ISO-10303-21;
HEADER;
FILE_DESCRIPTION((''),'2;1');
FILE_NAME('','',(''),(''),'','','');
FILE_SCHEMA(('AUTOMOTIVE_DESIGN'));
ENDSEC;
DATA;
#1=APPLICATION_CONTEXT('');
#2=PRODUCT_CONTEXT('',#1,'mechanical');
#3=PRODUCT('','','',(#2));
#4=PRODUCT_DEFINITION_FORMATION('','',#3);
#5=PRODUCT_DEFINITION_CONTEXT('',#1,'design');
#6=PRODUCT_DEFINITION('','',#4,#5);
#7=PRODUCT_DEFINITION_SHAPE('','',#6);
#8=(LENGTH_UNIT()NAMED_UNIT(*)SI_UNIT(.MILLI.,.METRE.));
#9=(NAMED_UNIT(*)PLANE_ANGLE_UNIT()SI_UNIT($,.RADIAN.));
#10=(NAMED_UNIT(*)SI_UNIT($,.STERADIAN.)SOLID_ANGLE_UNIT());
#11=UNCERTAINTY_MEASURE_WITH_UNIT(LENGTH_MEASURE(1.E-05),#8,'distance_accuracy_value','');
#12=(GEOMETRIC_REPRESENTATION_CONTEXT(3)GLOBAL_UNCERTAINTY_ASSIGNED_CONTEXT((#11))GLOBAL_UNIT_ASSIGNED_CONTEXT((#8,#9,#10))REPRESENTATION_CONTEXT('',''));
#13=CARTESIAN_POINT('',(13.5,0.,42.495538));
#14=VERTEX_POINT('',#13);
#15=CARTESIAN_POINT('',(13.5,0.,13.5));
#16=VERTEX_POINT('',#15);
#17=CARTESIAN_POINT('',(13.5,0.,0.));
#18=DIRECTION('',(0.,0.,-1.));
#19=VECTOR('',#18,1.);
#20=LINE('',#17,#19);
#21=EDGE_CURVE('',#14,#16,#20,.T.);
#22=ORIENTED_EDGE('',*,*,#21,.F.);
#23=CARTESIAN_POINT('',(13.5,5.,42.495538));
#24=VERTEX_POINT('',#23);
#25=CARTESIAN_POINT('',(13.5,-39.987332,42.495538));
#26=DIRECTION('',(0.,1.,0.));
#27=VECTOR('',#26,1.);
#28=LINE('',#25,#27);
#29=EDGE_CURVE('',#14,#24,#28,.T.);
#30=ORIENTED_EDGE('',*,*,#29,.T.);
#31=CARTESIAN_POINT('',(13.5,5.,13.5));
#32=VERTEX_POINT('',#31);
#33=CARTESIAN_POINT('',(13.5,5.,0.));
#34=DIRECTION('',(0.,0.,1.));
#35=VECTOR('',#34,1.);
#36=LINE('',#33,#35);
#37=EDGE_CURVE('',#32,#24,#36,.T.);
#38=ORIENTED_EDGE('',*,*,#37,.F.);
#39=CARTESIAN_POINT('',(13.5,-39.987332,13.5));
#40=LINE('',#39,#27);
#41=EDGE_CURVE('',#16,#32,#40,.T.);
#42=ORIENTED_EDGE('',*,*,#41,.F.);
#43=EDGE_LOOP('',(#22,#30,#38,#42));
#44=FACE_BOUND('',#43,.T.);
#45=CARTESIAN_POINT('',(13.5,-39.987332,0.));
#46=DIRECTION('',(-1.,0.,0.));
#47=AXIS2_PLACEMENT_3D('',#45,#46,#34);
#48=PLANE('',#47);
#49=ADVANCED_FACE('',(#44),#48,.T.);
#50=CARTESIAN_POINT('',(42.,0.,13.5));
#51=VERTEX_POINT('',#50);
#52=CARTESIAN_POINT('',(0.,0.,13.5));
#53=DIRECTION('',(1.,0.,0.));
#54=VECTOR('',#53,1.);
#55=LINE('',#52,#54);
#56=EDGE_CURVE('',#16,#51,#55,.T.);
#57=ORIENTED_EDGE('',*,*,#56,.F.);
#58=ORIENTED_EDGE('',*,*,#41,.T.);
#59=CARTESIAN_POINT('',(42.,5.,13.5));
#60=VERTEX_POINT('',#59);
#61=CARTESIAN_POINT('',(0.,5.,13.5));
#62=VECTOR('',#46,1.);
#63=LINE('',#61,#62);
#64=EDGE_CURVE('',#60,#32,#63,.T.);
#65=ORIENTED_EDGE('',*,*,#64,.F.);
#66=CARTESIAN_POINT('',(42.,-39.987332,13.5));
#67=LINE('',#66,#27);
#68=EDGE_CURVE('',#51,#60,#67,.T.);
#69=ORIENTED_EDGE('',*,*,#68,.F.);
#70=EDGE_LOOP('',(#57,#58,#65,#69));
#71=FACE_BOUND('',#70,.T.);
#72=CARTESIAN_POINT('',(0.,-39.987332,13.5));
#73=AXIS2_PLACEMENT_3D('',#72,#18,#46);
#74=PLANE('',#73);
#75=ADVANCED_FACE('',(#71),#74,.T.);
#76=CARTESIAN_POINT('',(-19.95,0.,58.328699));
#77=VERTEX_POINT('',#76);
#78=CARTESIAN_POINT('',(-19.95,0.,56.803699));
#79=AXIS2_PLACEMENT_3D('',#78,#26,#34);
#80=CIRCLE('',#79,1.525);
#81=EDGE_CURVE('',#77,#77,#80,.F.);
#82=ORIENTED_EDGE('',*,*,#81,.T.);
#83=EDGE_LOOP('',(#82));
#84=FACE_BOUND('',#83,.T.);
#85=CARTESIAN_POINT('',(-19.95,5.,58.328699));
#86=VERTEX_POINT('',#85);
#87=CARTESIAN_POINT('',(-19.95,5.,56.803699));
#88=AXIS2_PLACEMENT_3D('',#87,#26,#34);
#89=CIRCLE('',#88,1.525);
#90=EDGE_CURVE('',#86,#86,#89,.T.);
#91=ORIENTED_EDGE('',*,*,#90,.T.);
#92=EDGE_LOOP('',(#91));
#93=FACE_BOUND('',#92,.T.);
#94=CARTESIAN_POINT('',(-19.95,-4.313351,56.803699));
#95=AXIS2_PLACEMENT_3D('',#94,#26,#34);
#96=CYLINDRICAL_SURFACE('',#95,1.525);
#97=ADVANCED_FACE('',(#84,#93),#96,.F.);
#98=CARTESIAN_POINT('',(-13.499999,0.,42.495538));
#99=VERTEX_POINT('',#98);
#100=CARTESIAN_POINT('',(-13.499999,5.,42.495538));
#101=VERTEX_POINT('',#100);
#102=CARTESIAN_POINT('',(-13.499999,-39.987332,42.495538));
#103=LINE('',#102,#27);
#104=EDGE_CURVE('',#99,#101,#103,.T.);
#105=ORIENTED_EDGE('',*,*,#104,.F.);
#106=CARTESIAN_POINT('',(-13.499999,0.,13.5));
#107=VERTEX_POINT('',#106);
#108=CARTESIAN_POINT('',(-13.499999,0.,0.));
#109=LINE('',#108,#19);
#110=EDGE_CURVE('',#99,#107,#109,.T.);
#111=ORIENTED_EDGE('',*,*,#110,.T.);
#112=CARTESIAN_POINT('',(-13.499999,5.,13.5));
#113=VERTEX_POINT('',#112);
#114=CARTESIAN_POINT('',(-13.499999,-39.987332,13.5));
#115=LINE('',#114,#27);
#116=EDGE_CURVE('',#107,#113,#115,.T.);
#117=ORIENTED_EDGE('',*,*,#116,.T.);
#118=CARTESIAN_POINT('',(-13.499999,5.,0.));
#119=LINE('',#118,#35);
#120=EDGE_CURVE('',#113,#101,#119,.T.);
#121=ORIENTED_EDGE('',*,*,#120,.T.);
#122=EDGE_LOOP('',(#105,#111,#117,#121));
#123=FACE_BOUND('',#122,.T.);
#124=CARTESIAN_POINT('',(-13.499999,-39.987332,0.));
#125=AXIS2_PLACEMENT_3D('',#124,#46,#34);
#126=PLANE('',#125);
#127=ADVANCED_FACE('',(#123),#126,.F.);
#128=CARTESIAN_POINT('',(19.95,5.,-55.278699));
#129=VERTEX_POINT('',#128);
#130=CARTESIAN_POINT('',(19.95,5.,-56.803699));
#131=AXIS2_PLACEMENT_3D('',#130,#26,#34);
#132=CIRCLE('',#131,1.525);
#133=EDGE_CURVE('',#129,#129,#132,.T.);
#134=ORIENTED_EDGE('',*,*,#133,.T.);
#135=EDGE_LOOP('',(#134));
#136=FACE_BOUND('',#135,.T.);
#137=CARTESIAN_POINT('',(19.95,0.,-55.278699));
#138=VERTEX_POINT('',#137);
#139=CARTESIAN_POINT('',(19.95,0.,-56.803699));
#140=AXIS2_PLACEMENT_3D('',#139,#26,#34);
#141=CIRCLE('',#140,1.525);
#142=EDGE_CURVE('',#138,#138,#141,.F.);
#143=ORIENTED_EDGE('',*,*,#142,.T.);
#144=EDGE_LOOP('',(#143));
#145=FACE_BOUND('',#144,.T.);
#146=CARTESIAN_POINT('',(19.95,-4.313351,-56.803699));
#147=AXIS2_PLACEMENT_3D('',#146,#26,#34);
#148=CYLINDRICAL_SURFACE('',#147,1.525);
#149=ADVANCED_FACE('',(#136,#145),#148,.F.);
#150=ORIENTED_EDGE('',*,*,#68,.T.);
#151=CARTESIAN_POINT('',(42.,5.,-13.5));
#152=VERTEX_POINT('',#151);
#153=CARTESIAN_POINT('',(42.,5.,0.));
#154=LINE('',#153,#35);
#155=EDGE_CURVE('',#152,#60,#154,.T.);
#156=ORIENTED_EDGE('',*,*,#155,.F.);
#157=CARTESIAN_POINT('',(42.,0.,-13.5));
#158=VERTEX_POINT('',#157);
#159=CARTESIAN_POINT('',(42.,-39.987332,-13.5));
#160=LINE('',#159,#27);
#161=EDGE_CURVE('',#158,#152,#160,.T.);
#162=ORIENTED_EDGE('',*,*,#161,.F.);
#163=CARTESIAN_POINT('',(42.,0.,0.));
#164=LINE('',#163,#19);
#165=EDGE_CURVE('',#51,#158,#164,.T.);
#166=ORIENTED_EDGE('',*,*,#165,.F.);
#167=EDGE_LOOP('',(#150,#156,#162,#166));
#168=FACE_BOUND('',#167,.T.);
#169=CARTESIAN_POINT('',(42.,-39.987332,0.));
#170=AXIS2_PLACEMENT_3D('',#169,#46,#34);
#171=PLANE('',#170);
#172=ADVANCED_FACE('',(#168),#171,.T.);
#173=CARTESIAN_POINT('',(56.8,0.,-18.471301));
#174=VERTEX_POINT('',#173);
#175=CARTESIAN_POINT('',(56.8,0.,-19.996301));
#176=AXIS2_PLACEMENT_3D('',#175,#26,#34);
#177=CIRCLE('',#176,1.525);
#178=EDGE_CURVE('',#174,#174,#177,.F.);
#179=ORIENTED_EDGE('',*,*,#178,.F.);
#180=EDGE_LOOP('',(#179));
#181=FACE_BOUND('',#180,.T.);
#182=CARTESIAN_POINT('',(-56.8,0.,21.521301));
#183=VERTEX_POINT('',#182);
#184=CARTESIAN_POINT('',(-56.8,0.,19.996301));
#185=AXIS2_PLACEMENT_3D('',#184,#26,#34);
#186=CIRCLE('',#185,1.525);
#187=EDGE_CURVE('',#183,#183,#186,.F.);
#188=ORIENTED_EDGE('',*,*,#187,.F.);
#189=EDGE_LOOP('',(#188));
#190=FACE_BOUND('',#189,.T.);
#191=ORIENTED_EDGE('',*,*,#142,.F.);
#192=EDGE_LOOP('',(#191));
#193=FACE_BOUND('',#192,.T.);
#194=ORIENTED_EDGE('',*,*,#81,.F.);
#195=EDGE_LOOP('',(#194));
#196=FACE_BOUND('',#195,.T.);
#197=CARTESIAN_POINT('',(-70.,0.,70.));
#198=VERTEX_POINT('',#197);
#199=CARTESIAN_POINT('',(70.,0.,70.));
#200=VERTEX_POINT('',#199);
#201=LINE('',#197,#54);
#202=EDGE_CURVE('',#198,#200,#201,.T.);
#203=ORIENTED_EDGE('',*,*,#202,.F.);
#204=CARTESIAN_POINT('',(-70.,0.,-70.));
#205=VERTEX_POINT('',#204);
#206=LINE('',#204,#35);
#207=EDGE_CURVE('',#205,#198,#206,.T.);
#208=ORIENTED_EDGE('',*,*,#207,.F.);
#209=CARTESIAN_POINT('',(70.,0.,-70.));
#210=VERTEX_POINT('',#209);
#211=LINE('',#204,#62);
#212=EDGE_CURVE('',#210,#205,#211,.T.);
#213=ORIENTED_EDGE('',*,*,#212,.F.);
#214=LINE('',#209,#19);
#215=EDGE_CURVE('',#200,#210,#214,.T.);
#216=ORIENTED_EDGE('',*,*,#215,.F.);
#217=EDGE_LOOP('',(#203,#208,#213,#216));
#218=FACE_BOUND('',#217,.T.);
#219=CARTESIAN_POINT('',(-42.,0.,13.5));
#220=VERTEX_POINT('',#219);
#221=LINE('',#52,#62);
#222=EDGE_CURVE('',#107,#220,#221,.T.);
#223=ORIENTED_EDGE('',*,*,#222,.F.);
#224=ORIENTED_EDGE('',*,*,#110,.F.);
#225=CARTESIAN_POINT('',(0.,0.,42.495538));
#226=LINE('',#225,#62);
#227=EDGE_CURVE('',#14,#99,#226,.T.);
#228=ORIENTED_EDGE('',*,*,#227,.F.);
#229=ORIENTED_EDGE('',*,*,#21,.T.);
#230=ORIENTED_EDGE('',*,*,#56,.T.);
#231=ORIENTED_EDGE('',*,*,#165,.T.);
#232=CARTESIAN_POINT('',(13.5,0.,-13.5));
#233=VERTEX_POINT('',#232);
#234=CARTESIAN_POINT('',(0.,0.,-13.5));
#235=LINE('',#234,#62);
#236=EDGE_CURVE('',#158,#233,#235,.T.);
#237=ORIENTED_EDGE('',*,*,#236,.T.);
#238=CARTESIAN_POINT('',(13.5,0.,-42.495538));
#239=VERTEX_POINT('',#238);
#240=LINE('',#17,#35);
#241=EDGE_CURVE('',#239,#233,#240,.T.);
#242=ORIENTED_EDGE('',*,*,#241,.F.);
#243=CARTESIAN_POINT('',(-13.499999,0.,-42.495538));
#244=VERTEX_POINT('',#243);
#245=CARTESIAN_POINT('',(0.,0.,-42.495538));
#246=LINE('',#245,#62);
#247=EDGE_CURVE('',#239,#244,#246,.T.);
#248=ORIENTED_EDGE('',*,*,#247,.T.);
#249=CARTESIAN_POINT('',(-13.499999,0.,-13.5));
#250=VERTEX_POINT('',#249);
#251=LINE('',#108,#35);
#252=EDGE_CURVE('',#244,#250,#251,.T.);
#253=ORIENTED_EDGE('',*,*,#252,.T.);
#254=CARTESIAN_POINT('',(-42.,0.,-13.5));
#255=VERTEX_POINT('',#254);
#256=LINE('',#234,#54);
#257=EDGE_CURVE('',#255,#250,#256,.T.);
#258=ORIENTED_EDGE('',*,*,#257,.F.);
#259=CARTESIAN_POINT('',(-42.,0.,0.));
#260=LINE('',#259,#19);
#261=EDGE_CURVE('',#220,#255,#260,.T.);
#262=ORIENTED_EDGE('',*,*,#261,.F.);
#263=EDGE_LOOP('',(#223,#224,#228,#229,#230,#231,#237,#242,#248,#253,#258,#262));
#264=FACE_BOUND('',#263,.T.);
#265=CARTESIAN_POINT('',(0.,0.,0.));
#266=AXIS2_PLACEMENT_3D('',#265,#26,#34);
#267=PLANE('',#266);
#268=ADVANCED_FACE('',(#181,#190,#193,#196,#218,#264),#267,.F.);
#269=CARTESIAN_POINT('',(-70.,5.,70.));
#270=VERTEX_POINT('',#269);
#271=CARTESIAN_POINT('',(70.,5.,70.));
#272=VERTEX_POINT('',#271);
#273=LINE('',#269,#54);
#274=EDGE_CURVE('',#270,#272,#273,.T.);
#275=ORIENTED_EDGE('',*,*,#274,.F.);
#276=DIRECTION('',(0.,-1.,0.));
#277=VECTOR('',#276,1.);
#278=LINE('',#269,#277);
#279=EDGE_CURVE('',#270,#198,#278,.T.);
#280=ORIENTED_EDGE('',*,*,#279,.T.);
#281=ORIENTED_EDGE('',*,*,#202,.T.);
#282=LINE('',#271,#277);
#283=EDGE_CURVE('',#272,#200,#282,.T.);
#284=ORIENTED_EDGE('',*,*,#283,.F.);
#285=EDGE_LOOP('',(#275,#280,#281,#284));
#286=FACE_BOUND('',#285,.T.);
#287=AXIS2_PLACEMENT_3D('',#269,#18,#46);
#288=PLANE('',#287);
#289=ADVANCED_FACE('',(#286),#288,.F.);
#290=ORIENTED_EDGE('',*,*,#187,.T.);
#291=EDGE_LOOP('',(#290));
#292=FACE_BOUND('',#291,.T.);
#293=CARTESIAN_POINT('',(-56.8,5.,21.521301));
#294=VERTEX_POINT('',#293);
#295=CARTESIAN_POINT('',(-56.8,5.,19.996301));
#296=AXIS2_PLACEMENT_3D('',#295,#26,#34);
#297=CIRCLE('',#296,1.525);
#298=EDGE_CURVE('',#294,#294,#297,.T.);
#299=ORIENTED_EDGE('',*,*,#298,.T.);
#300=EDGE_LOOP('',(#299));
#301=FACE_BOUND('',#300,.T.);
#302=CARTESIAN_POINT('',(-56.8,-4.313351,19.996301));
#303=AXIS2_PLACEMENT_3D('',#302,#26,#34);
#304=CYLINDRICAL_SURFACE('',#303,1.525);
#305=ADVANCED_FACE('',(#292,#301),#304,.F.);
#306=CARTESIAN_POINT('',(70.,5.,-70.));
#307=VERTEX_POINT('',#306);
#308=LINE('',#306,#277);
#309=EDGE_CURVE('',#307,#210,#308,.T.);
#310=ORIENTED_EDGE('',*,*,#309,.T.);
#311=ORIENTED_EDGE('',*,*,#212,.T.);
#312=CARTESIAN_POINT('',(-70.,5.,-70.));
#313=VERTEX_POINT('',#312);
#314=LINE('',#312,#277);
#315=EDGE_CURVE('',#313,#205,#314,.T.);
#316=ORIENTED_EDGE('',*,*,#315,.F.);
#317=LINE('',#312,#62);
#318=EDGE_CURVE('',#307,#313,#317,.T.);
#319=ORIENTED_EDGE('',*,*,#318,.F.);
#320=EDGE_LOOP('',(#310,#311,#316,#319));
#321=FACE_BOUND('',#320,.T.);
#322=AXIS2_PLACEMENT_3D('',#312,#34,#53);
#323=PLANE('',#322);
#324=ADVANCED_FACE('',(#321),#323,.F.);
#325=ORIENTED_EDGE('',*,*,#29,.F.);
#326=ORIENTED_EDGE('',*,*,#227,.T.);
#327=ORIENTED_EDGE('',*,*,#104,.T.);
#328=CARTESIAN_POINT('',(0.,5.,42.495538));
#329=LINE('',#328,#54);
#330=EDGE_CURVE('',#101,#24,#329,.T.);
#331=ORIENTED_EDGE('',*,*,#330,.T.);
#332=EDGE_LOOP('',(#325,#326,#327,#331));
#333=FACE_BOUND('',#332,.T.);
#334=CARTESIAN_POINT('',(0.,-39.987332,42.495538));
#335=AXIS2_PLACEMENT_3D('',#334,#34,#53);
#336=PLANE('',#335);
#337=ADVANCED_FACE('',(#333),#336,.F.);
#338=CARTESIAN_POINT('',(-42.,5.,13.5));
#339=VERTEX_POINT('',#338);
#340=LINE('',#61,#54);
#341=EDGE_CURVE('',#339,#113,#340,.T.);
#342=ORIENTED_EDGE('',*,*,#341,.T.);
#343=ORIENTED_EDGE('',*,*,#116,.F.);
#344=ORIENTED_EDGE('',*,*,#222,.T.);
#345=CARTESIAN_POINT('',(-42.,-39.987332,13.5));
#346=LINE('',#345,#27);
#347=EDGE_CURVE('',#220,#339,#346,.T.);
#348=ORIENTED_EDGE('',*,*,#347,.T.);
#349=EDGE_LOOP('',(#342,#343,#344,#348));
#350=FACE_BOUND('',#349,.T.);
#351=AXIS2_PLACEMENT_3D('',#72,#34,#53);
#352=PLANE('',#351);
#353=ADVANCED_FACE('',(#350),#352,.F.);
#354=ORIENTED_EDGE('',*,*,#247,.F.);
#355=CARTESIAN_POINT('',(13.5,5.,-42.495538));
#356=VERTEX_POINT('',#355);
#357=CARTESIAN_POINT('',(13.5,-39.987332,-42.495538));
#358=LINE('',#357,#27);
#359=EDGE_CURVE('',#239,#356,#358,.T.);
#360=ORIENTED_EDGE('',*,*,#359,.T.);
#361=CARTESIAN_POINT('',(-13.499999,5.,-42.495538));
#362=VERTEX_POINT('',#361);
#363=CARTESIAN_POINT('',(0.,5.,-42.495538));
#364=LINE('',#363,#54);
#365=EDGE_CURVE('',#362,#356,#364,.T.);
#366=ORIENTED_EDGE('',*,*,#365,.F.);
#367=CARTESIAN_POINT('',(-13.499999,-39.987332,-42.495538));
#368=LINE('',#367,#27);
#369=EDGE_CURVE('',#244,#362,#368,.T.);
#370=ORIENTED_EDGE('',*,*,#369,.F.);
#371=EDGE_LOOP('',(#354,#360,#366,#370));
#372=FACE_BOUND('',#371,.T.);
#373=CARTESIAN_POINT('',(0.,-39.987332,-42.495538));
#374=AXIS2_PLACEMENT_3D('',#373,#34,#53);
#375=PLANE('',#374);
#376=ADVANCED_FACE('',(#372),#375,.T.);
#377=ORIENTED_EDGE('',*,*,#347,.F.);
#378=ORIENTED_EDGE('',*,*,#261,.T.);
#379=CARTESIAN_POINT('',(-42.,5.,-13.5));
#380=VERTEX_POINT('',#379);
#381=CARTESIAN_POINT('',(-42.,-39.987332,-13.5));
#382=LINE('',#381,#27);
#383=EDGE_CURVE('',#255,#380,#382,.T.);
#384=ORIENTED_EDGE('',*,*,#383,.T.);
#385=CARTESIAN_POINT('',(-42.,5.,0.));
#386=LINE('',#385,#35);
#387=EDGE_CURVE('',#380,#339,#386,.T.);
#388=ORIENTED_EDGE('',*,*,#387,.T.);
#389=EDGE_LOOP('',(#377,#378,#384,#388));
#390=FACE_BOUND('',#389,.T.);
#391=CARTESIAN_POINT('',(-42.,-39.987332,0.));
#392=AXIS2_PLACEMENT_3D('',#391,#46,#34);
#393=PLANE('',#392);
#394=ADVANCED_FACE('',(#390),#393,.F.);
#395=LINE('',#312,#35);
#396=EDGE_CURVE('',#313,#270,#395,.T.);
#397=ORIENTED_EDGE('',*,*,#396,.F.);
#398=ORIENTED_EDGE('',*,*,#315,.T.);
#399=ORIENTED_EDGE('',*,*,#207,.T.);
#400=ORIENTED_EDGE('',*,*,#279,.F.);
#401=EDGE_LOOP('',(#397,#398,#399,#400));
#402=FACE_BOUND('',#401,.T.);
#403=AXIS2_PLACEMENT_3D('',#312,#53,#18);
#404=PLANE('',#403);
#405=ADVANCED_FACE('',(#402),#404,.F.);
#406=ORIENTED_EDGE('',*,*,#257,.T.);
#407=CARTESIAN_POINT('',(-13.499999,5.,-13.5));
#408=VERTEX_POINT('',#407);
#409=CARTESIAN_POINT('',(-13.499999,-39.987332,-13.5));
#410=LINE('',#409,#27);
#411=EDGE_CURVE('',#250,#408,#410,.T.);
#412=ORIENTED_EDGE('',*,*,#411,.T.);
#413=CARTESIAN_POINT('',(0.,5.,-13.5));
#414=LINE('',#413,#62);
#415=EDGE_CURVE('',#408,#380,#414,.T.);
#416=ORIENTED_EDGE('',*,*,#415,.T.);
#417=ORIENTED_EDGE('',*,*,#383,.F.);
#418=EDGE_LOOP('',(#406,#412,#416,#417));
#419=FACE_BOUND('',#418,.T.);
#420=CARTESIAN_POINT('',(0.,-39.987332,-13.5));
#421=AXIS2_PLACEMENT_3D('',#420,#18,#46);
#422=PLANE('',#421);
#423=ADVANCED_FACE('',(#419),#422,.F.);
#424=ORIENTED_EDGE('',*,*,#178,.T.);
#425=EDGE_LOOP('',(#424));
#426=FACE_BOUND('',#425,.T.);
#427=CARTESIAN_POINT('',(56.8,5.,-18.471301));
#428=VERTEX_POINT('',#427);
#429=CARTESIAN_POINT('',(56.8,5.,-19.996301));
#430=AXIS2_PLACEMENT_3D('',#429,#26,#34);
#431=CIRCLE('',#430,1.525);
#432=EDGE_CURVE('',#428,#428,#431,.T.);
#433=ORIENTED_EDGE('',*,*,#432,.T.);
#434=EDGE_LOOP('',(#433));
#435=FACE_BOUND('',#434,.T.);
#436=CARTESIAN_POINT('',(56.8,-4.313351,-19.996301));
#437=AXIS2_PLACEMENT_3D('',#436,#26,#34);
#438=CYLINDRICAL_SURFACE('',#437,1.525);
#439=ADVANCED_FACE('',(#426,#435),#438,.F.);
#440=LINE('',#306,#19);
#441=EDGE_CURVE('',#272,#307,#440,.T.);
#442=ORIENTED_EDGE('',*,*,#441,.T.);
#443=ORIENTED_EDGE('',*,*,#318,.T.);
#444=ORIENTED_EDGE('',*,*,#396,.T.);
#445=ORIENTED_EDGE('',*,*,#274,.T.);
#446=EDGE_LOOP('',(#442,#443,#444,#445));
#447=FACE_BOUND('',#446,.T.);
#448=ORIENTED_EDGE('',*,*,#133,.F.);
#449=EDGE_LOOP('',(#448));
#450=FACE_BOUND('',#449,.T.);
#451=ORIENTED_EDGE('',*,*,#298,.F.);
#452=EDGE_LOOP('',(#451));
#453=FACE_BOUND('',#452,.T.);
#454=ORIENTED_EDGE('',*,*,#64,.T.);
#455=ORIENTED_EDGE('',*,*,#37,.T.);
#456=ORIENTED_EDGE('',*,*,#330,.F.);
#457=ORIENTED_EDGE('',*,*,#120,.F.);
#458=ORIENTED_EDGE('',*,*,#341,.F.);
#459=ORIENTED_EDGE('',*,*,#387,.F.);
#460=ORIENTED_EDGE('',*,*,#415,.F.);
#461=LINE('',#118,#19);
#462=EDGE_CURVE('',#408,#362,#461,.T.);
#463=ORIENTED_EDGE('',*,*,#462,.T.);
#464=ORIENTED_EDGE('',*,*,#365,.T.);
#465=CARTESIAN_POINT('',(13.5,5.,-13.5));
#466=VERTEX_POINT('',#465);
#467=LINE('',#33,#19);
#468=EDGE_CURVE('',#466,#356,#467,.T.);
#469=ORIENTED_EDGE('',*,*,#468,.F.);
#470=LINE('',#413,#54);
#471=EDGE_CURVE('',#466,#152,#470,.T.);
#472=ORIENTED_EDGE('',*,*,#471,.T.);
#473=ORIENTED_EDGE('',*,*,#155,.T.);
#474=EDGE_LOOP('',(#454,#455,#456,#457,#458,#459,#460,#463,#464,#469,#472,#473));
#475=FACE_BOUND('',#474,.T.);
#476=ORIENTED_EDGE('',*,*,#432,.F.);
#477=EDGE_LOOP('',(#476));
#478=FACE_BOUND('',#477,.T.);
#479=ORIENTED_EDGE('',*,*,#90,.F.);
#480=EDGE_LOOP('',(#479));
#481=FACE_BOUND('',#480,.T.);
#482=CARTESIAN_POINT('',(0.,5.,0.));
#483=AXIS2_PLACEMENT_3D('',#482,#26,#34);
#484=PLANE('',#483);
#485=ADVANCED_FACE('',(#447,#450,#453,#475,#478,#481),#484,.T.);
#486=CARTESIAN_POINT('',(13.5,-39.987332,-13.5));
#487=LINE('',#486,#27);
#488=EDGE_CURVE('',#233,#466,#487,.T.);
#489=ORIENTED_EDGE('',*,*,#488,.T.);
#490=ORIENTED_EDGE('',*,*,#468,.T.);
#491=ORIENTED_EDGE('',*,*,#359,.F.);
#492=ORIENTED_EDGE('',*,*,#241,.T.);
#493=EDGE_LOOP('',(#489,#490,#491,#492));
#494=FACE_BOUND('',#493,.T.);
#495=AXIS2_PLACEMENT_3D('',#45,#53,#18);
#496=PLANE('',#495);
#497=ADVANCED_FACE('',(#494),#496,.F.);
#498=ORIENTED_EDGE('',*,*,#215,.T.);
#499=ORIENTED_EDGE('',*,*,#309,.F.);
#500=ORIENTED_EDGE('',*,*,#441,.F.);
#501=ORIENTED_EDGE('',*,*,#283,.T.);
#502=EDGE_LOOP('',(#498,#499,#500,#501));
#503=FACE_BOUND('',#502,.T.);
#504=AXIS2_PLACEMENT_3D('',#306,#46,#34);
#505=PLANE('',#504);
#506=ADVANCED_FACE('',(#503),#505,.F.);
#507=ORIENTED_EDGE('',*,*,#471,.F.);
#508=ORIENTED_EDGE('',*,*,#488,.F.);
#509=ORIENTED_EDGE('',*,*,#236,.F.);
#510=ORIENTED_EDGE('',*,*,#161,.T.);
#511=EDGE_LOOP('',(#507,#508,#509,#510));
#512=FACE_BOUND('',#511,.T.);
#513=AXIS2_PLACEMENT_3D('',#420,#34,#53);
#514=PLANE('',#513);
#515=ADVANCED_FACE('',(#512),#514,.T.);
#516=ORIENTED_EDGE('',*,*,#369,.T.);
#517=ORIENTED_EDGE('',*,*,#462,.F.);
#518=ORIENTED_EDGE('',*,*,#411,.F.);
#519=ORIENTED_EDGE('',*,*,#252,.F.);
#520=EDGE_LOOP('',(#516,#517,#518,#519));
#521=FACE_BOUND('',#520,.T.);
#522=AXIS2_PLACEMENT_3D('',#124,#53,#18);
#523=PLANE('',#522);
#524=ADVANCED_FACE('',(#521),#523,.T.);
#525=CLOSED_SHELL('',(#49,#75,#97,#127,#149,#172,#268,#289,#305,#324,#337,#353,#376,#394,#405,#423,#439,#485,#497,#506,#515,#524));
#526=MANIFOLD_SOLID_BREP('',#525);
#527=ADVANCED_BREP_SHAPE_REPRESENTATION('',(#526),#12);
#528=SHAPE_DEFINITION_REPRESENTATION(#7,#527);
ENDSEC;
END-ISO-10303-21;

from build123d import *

# Parameters (mm, degrees)
SKETCH1_W           = 140
SKETCH1_H           = 140
BOSS_EXTRUDE1_DEPTH = 5
CUT_EXTRUDE2_DEPTH  = 5
SKETCH3_W           = 26
SKETCH3_H           = 26
CUT_EXTRUDE3_DEPTH  = 5
SKETCH5_R           = 1.525
CUT_EXTRUDE5_DEPTH  = 5
SKETCH7_W           = 0.499998827
SKETCH7_H           = 0.5
SKETCH7_W_2         = 0.5
CUT_EXTRUDE6_DEPTH  = 5


with BuildPart() as part:
    # Sketch1 → Boss-Extrude1 (new body)
    with BuildSketch(Plane(origin=(0, 0, 0), x_dir=(1, 0, 0), z_dir=(0, 1, 0))):
        Rectangle(SKETCH1_W, SKETCH1_H)
    extrude(amount=BOSS_EXTRUDE1_DEPTH)

    # Sketch2 → Cut-Extrude2 (cut)
    with BuildSketch(Plane(origin=(0, 5, 0), x_dir=(1, 0, 0), z_dir=(0, 1, 0))):
        Polygon((-13, 13), (13, 13), (13, 13.5), (13.5, 13.5), (13.5, 42.495538118), (-13.499998827, 42.495538118), (-13.499998827, 13.5), (-13, 13.5), align=None)
        Polygon((-13.499998827, -13), (-13, -13), (-13, 13), (-13.499998827, 13), (-13.499998827, 13.5), (-42, 13.5), (-42, -13.5), (-13.499998827, -13.5), align=None)
        Polygon((13, 13), (13, -13), (13.5, -13), (13.5, -13.5), (42, -13.5), (42, 13.5), (13.5, 13.5), (13.5, 13), align=None)
        Polygon((13.5, -13.5), (13, -13.5), (13, -13), (-13, -13), (-13, -13.5), (-13.499998827, -13.5), (-13.499998827, -42.495538118), (13.5, -42.495538118), align=None)
    extrude(amount=-CUT_EXTRUDE2_DEPTH, mode=Mode.SUBTRACT)

    # Sketch3 → Cut-Extrude3 (cut)
    with BuildSketch(Plane(origin=(0, 5, 0), x_dir=(1, 0, 0), z_dir=(0, 1, 0))):
        Rectangle(SKETCH3_W, SKETCH3_H)
    extrude(amount=-CUT_EXTRUDE3_DEPTH, mode=Mode.SUBTRACT)

    # Sketch5 → Cut-Extrude5 (cut)
    with BuildSketch(Plane(origin=(0, 5, 0), x_dir=(1, 0, 0), z_dir=(0, 1, 0))):
        with Locations(Location((-56.8, -19.996300578, 0), (0, 0, 270))):
            Circle(SKETCH5_R)
        with Locations(Location((-19.95, -56.803699422, 0), (0, 0, 270))):
            Circle(SKETCH5_R)
        with Locations(Location((19.95, 56.803699422, 0), (0, 0, 270))):
            Circle(SKETCH5_R)
        with Locations(Location((56.8, 19.996300578, 0), (0, 0, 270))):
            Circle(SKETCH5_R)
    extrude(amount=-CUT_EXTRUDE5_DEPTH, mode=Mode.SUBTRACT)

    # Sketch7 → Cut-Extrude6 (cut)
    with BuildSketch(Plane(origin=(0, 5, 0), x_dir=(1, 0, 0), z_dir=(0, 1, 0))):
        with Locations((-13.249999413, -13.25)):
            Rectangle(SKETCH7_W, SKETCH7_H)
        with Locations((-13.249999413, 13.25)):
            Rectangle(SKETCH7_W, SKETCH7_H)
        with Locations((13.25, 13.25)):
            Rectangle(SKETCH7_W_2, SKETCH7_H)
        with Locations((13.25, -13.25)):
            Rectangle(SKETCH7_W_2, SKETCH7_H)
    extrude(amount=-CUT_EXTRUDE6_DEPTH, mode=Mode.SUBTRACT)


solid = part.part
